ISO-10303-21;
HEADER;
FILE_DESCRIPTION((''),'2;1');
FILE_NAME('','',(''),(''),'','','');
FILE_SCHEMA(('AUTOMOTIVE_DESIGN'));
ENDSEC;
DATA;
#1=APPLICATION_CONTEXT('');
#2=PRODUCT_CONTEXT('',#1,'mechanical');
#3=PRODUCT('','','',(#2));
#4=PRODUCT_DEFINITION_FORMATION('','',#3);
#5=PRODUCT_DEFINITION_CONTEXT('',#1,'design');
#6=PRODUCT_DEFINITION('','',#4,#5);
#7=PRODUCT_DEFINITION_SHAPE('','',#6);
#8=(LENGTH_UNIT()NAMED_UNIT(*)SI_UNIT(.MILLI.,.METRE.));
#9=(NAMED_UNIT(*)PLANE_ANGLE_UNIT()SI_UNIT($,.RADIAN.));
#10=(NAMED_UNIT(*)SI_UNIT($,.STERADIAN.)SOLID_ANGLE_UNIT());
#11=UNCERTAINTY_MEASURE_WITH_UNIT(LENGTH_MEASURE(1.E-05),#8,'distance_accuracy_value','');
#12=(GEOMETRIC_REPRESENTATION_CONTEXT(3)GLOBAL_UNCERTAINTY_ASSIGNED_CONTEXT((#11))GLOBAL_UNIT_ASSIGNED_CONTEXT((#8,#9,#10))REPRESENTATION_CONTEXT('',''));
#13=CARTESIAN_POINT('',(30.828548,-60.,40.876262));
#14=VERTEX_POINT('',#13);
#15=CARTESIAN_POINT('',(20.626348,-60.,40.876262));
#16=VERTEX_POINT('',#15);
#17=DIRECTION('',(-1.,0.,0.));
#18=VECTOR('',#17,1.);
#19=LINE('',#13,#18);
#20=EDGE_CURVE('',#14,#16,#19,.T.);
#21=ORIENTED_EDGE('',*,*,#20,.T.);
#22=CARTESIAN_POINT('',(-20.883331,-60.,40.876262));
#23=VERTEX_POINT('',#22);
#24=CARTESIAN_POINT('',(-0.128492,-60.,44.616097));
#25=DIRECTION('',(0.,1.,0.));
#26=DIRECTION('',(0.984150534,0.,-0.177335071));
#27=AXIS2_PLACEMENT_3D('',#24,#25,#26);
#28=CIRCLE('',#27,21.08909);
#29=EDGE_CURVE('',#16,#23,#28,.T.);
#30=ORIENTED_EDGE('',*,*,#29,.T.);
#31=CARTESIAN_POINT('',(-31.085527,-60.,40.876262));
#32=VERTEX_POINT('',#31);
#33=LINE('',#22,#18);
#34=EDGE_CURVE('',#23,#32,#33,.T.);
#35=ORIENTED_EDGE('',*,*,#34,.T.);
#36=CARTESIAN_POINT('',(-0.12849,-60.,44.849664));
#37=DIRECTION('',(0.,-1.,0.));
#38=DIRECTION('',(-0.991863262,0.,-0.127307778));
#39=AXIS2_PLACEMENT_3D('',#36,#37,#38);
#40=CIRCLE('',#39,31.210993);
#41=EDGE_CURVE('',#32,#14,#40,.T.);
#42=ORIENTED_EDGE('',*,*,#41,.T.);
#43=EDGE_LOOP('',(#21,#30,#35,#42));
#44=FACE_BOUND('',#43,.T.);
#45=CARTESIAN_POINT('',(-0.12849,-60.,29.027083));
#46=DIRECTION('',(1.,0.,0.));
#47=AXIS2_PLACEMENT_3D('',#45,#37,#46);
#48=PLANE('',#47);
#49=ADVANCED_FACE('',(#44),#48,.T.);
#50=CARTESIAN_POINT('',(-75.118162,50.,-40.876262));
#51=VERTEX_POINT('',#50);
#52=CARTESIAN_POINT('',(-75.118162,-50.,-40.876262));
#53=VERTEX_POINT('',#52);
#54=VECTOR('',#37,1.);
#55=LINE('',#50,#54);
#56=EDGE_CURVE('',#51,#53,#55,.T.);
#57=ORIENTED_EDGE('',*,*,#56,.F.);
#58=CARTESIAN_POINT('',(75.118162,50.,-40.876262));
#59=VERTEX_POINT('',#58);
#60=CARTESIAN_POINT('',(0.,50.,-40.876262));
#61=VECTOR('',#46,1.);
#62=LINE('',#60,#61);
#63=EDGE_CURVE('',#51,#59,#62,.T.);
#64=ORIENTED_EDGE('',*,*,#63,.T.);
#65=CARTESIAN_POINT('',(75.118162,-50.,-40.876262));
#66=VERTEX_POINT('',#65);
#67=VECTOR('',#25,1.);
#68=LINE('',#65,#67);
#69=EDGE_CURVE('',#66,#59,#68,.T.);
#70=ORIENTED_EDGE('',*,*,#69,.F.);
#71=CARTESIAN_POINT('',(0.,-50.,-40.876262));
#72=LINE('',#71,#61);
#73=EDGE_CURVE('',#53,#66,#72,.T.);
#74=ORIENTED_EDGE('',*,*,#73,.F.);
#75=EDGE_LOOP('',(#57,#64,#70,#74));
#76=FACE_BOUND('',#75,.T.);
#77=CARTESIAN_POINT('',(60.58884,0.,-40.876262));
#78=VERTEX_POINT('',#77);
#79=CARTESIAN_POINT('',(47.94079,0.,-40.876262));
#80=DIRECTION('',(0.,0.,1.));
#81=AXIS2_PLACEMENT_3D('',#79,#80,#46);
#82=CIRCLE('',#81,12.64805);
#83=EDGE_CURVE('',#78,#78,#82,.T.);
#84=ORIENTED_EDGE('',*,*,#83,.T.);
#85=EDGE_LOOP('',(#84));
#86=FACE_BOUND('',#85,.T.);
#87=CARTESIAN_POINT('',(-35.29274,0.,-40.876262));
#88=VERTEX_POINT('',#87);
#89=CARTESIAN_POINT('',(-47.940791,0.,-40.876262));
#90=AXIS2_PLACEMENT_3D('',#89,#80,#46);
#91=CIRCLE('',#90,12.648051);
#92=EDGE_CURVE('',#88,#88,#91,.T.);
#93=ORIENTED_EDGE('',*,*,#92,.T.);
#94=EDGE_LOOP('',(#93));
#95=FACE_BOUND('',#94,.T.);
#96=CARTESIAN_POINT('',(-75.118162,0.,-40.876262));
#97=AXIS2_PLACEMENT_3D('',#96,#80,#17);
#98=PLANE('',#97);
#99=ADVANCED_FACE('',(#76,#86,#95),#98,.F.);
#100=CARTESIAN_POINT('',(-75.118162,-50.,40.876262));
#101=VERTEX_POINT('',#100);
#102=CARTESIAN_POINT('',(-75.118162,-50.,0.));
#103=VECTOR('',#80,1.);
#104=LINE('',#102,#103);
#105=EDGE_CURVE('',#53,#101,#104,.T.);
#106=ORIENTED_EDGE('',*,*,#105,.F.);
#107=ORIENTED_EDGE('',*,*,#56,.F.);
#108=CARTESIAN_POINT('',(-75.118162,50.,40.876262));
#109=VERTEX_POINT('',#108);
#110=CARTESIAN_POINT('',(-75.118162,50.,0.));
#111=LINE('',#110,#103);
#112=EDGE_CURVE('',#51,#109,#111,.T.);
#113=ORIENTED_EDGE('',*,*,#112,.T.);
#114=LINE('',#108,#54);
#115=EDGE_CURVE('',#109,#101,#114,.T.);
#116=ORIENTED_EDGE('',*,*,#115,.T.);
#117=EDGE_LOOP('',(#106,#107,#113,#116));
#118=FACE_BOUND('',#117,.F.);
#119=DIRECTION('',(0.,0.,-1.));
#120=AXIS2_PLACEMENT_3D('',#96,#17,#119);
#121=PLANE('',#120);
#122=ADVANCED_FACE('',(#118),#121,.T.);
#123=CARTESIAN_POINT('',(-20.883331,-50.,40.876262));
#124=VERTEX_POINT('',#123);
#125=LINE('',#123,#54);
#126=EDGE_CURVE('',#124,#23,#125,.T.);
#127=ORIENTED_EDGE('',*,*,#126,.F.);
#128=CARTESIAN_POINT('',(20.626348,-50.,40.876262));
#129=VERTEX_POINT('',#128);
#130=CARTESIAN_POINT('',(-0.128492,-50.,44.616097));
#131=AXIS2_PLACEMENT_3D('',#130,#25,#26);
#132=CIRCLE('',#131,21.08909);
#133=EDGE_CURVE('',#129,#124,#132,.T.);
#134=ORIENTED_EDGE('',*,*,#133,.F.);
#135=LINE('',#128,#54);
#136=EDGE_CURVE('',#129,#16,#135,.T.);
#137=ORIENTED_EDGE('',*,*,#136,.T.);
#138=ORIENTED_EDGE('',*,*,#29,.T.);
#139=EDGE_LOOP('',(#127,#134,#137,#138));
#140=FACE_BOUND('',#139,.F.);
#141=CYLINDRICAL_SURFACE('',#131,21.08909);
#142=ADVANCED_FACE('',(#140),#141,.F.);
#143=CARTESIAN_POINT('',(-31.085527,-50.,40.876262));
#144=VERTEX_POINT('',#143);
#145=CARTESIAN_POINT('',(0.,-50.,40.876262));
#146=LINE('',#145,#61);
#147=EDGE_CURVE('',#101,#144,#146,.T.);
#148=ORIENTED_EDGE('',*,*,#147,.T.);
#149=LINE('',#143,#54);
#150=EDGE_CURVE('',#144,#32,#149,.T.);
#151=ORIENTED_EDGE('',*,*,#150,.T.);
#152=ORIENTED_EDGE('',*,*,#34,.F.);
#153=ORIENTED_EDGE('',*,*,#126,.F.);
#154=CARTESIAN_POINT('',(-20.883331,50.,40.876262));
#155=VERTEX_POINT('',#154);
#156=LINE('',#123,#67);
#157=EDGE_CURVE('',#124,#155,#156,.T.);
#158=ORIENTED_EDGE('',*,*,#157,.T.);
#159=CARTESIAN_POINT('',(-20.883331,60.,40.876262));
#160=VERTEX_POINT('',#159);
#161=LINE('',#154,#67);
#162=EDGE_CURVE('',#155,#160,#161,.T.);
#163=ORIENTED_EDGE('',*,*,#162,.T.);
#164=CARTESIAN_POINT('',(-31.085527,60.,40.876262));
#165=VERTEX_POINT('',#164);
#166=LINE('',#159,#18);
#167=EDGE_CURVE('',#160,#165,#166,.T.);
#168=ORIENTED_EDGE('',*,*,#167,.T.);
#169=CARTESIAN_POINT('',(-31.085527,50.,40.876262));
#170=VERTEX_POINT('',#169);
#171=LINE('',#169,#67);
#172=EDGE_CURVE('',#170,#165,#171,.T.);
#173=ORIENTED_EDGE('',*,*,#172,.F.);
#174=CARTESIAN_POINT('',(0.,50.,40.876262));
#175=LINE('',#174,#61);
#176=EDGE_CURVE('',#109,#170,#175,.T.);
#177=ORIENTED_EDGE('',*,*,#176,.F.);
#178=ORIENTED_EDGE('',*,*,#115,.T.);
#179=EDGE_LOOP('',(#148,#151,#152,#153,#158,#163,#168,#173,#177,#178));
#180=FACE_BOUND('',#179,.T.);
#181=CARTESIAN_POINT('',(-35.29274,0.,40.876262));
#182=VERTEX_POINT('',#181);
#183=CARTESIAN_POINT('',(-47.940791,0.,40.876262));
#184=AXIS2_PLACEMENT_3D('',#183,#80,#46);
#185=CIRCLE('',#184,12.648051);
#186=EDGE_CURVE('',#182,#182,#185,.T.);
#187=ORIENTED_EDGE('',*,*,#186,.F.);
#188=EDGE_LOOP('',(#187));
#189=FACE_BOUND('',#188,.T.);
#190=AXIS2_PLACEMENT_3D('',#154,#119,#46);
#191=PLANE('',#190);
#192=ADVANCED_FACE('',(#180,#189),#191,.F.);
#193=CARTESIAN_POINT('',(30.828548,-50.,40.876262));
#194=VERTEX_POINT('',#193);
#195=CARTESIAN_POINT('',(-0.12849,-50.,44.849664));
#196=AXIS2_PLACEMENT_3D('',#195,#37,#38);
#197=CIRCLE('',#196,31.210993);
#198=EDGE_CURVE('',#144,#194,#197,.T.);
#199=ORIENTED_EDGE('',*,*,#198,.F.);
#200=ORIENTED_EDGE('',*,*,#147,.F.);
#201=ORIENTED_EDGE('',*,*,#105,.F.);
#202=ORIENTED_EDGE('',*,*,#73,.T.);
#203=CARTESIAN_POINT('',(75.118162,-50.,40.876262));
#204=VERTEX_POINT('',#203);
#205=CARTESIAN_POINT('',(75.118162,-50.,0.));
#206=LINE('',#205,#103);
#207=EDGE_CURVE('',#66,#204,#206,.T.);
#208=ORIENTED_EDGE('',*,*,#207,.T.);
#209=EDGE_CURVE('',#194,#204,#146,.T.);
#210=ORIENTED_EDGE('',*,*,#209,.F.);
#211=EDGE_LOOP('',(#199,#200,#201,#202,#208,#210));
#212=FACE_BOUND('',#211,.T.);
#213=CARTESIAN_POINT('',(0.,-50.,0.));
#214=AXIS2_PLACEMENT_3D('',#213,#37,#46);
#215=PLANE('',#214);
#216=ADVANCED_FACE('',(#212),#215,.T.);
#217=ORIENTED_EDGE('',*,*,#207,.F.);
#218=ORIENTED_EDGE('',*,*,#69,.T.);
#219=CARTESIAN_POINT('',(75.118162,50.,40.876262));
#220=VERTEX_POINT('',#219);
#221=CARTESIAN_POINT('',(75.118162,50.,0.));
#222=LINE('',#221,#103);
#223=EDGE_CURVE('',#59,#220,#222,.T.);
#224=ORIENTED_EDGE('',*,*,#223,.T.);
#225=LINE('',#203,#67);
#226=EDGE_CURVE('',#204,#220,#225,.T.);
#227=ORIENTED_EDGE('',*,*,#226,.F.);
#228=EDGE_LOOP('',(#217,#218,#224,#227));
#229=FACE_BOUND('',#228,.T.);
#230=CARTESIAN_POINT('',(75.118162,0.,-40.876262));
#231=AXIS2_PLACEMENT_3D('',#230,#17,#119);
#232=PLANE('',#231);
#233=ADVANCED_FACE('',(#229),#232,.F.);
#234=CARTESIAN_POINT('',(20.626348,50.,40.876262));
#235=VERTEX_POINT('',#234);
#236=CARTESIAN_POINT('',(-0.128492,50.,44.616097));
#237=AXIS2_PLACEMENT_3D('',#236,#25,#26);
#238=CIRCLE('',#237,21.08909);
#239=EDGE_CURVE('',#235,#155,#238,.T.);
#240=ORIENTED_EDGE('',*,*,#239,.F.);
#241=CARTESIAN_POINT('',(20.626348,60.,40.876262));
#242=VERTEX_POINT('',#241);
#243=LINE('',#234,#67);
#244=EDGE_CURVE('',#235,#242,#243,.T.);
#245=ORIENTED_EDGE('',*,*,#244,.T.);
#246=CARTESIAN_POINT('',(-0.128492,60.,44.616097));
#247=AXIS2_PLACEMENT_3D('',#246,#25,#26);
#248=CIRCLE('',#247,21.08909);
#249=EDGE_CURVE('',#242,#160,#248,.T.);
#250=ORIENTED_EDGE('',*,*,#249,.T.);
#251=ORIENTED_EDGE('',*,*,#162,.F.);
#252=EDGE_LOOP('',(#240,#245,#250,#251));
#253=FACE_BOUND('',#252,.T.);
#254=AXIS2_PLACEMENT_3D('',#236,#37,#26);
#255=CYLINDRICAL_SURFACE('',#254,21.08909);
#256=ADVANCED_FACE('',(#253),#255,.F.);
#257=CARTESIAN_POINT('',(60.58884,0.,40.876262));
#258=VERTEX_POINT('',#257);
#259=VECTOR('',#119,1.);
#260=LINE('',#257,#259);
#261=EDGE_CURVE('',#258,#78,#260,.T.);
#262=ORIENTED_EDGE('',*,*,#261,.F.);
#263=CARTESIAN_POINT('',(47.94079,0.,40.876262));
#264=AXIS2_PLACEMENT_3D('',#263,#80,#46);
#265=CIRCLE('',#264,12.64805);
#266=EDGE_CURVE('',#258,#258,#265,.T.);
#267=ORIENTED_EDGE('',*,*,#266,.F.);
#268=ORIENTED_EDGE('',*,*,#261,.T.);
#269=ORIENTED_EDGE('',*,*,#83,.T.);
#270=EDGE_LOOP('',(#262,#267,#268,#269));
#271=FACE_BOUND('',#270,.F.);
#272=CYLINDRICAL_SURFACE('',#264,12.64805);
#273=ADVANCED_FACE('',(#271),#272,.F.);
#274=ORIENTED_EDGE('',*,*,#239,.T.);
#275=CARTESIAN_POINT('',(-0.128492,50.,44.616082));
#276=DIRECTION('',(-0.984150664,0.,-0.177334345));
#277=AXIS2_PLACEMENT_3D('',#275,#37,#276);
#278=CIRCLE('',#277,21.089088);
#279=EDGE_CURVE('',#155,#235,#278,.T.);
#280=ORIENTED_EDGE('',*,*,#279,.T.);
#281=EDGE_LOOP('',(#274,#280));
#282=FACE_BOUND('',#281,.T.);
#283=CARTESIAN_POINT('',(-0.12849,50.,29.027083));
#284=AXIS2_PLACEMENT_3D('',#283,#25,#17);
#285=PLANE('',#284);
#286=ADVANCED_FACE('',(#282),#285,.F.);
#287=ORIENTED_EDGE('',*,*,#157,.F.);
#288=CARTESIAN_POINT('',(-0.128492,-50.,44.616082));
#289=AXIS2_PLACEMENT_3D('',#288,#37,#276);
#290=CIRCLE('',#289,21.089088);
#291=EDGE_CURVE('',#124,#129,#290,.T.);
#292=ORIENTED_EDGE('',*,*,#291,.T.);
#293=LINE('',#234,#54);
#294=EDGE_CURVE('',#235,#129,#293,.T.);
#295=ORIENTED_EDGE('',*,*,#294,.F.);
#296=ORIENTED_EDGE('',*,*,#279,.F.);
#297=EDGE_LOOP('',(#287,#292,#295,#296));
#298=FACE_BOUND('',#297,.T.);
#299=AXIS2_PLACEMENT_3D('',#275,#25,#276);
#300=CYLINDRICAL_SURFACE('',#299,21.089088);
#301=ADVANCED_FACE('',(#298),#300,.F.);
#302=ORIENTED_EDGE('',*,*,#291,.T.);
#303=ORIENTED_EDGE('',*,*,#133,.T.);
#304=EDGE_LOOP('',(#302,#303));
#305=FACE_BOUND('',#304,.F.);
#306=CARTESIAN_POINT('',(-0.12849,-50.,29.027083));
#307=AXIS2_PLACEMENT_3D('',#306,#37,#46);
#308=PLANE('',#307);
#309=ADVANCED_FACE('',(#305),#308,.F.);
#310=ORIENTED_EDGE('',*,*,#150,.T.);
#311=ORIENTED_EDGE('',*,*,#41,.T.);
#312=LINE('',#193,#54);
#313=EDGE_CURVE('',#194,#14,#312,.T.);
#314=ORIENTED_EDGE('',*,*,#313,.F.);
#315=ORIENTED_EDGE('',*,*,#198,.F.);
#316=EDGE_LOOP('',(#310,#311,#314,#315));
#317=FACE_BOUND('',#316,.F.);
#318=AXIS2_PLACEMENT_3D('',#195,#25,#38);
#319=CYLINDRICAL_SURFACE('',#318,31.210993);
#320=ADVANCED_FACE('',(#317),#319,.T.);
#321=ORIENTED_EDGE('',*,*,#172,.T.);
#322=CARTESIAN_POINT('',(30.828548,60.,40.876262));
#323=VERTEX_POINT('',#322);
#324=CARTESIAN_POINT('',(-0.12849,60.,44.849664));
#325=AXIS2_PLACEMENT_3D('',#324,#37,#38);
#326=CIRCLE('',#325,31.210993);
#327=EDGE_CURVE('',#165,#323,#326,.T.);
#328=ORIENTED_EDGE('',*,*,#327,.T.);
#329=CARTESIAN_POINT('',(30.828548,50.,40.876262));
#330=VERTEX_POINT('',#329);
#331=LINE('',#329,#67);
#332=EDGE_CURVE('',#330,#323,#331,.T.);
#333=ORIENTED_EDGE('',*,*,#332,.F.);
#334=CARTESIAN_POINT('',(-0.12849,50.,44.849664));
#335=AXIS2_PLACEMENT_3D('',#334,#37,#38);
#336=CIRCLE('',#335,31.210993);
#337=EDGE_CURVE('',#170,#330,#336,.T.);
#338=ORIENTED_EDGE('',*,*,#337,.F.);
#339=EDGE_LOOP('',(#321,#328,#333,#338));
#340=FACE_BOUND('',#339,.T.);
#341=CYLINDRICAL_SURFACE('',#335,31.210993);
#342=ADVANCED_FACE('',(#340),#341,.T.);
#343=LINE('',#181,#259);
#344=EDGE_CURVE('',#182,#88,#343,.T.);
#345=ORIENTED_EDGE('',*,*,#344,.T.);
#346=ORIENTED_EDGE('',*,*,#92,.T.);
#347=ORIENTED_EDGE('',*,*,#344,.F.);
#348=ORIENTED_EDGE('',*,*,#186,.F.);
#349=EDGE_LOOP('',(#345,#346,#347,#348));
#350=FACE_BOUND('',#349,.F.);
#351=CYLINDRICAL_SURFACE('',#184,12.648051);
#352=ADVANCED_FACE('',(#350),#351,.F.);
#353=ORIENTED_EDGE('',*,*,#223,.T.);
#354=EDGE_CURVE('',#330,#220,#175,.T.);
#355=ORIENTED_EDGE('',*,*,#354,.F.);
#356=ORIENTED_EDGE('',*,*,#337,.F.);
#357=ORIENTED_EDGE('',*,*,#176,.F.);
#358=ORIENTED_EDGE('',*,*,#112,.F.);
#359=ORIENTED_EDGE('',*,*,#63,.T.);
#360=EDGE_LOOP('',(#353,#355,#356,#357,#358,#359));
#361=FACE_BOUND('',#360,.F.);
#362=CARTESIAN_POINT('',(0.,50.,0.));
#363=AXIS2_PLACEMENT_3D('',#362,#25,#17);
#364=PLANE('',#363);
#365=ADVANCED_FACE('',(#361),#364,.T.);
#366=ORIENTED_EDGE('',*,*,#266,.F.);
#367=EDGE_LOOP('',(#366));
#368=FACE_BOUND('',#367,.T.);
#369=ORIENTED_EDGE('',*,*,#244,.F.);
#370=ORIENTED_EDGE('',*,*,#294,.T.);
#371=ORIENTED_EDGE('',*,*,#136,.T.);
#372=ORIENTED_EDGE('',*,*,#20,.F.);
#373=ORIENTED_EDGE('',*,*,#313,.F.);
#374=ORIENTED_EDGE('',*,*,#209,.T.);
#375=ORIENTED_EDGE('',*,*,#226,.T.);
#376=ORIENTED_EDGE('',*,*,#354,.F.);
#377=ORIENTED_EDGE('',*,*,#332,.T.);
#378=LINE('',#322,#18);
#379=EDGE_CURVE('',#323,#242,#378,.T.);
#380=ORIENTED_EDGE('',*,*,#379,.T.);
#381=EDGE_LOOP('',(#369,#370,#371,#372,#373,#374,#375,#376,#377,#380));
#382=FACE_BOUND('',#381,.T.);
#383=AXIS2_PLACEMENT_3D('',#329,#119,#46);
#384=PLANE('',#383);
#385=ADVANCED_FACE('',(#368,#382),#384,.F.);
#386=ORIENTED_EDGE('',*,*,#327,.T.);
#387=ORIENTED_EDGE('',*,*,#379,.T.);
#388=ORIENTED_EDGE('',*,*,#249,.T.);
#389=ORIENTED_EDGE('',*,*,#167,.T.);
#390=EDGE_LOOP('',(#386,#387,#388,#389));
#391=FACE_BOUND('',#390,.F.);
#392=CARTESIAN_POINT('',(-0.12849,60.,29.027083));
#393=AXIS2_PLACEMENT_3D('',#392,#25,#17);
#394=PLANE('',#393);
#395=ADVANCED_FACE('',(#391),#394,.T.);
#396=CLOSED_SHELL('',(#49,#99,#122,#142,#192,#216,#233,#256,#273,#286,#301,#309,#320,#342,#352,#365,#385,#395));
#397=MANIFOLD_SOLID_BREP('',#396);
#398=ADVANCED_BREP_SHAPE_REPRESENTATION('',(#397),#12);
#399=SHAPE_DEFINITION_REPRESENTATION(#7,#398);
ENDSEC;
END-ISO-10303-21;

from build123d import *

# Parameters (mm, degrees)
F0_W     = 150.236324
F0_H     = 81.752524
F1_DEPTH = 50
F3_DEPTH = 166
F5_DEPTH = 10
F7_R     = 12.648051
F7_R_2   = 12.64805
F8_DEPTH = 89.9


with BuildPart() as f1:
    # F0 (on Front) → F1 (new body)
    with BuildSketch(Plane.XZ):
        Rectangle(F0_W, F0_H)
    extrude(amount=F1_DEPTH)

    # F2 (on face) → F3 (cut)
    with BuildSketch(Plane.XZ.offset(50)):
        with BuildLine():
            Line((20.626348, 40.876262), (-20.883331, 40.876262))
            ThreePointArc((-20.883331, 40.876262), (-0.128492, 23.526994), (20.626348, 40.876262))
        make_face()
    extrude(amount=-F3_DEPTH, mode=Mode.SUBTRACT)

    # F4 (on face) → F5 (join)
    with BuildSketch(Plane.XZ.offset(50)):
        with BuildLine():
            ThreePointArc((20.626348, 40.876262), (-0.128492, 23.527007), (-20.883331, 40.876262))
            Line((-20.883331, 40.876262), (-31.085527, 40.876262))
            ThreePointArc((-31.085527, 40.876262), (-0.12849, 13.638671), (30.828548, 40.876262))
            Line((30.828548, 40.876262), (20.626348, 40.876262))
        make_face()
    extrude(amount=F5_DEPTH)

    # F6: F1 across face


with BuildPart() as f1_1:
    add(f1.part)
    add(f1.part.mirror(Plane(origin=(0.005929, 0, -1.550904), x_dir=(1, 0, 0), z_dir=(0, 1, 0))))

    # F7 (on face) → F8 (cut)
    with BuildSketch(Plane.XY.offset(40.876262)):
        with Locations((-47.940791, 0)):
            Circle(F7_R)
        with Locations((47.94079, 0)):
            Circle(F7_R_2)
    extrude(amount=-F8_DEPTH, mode=Mode.SUBTRACT)


solid = f1_1.part
